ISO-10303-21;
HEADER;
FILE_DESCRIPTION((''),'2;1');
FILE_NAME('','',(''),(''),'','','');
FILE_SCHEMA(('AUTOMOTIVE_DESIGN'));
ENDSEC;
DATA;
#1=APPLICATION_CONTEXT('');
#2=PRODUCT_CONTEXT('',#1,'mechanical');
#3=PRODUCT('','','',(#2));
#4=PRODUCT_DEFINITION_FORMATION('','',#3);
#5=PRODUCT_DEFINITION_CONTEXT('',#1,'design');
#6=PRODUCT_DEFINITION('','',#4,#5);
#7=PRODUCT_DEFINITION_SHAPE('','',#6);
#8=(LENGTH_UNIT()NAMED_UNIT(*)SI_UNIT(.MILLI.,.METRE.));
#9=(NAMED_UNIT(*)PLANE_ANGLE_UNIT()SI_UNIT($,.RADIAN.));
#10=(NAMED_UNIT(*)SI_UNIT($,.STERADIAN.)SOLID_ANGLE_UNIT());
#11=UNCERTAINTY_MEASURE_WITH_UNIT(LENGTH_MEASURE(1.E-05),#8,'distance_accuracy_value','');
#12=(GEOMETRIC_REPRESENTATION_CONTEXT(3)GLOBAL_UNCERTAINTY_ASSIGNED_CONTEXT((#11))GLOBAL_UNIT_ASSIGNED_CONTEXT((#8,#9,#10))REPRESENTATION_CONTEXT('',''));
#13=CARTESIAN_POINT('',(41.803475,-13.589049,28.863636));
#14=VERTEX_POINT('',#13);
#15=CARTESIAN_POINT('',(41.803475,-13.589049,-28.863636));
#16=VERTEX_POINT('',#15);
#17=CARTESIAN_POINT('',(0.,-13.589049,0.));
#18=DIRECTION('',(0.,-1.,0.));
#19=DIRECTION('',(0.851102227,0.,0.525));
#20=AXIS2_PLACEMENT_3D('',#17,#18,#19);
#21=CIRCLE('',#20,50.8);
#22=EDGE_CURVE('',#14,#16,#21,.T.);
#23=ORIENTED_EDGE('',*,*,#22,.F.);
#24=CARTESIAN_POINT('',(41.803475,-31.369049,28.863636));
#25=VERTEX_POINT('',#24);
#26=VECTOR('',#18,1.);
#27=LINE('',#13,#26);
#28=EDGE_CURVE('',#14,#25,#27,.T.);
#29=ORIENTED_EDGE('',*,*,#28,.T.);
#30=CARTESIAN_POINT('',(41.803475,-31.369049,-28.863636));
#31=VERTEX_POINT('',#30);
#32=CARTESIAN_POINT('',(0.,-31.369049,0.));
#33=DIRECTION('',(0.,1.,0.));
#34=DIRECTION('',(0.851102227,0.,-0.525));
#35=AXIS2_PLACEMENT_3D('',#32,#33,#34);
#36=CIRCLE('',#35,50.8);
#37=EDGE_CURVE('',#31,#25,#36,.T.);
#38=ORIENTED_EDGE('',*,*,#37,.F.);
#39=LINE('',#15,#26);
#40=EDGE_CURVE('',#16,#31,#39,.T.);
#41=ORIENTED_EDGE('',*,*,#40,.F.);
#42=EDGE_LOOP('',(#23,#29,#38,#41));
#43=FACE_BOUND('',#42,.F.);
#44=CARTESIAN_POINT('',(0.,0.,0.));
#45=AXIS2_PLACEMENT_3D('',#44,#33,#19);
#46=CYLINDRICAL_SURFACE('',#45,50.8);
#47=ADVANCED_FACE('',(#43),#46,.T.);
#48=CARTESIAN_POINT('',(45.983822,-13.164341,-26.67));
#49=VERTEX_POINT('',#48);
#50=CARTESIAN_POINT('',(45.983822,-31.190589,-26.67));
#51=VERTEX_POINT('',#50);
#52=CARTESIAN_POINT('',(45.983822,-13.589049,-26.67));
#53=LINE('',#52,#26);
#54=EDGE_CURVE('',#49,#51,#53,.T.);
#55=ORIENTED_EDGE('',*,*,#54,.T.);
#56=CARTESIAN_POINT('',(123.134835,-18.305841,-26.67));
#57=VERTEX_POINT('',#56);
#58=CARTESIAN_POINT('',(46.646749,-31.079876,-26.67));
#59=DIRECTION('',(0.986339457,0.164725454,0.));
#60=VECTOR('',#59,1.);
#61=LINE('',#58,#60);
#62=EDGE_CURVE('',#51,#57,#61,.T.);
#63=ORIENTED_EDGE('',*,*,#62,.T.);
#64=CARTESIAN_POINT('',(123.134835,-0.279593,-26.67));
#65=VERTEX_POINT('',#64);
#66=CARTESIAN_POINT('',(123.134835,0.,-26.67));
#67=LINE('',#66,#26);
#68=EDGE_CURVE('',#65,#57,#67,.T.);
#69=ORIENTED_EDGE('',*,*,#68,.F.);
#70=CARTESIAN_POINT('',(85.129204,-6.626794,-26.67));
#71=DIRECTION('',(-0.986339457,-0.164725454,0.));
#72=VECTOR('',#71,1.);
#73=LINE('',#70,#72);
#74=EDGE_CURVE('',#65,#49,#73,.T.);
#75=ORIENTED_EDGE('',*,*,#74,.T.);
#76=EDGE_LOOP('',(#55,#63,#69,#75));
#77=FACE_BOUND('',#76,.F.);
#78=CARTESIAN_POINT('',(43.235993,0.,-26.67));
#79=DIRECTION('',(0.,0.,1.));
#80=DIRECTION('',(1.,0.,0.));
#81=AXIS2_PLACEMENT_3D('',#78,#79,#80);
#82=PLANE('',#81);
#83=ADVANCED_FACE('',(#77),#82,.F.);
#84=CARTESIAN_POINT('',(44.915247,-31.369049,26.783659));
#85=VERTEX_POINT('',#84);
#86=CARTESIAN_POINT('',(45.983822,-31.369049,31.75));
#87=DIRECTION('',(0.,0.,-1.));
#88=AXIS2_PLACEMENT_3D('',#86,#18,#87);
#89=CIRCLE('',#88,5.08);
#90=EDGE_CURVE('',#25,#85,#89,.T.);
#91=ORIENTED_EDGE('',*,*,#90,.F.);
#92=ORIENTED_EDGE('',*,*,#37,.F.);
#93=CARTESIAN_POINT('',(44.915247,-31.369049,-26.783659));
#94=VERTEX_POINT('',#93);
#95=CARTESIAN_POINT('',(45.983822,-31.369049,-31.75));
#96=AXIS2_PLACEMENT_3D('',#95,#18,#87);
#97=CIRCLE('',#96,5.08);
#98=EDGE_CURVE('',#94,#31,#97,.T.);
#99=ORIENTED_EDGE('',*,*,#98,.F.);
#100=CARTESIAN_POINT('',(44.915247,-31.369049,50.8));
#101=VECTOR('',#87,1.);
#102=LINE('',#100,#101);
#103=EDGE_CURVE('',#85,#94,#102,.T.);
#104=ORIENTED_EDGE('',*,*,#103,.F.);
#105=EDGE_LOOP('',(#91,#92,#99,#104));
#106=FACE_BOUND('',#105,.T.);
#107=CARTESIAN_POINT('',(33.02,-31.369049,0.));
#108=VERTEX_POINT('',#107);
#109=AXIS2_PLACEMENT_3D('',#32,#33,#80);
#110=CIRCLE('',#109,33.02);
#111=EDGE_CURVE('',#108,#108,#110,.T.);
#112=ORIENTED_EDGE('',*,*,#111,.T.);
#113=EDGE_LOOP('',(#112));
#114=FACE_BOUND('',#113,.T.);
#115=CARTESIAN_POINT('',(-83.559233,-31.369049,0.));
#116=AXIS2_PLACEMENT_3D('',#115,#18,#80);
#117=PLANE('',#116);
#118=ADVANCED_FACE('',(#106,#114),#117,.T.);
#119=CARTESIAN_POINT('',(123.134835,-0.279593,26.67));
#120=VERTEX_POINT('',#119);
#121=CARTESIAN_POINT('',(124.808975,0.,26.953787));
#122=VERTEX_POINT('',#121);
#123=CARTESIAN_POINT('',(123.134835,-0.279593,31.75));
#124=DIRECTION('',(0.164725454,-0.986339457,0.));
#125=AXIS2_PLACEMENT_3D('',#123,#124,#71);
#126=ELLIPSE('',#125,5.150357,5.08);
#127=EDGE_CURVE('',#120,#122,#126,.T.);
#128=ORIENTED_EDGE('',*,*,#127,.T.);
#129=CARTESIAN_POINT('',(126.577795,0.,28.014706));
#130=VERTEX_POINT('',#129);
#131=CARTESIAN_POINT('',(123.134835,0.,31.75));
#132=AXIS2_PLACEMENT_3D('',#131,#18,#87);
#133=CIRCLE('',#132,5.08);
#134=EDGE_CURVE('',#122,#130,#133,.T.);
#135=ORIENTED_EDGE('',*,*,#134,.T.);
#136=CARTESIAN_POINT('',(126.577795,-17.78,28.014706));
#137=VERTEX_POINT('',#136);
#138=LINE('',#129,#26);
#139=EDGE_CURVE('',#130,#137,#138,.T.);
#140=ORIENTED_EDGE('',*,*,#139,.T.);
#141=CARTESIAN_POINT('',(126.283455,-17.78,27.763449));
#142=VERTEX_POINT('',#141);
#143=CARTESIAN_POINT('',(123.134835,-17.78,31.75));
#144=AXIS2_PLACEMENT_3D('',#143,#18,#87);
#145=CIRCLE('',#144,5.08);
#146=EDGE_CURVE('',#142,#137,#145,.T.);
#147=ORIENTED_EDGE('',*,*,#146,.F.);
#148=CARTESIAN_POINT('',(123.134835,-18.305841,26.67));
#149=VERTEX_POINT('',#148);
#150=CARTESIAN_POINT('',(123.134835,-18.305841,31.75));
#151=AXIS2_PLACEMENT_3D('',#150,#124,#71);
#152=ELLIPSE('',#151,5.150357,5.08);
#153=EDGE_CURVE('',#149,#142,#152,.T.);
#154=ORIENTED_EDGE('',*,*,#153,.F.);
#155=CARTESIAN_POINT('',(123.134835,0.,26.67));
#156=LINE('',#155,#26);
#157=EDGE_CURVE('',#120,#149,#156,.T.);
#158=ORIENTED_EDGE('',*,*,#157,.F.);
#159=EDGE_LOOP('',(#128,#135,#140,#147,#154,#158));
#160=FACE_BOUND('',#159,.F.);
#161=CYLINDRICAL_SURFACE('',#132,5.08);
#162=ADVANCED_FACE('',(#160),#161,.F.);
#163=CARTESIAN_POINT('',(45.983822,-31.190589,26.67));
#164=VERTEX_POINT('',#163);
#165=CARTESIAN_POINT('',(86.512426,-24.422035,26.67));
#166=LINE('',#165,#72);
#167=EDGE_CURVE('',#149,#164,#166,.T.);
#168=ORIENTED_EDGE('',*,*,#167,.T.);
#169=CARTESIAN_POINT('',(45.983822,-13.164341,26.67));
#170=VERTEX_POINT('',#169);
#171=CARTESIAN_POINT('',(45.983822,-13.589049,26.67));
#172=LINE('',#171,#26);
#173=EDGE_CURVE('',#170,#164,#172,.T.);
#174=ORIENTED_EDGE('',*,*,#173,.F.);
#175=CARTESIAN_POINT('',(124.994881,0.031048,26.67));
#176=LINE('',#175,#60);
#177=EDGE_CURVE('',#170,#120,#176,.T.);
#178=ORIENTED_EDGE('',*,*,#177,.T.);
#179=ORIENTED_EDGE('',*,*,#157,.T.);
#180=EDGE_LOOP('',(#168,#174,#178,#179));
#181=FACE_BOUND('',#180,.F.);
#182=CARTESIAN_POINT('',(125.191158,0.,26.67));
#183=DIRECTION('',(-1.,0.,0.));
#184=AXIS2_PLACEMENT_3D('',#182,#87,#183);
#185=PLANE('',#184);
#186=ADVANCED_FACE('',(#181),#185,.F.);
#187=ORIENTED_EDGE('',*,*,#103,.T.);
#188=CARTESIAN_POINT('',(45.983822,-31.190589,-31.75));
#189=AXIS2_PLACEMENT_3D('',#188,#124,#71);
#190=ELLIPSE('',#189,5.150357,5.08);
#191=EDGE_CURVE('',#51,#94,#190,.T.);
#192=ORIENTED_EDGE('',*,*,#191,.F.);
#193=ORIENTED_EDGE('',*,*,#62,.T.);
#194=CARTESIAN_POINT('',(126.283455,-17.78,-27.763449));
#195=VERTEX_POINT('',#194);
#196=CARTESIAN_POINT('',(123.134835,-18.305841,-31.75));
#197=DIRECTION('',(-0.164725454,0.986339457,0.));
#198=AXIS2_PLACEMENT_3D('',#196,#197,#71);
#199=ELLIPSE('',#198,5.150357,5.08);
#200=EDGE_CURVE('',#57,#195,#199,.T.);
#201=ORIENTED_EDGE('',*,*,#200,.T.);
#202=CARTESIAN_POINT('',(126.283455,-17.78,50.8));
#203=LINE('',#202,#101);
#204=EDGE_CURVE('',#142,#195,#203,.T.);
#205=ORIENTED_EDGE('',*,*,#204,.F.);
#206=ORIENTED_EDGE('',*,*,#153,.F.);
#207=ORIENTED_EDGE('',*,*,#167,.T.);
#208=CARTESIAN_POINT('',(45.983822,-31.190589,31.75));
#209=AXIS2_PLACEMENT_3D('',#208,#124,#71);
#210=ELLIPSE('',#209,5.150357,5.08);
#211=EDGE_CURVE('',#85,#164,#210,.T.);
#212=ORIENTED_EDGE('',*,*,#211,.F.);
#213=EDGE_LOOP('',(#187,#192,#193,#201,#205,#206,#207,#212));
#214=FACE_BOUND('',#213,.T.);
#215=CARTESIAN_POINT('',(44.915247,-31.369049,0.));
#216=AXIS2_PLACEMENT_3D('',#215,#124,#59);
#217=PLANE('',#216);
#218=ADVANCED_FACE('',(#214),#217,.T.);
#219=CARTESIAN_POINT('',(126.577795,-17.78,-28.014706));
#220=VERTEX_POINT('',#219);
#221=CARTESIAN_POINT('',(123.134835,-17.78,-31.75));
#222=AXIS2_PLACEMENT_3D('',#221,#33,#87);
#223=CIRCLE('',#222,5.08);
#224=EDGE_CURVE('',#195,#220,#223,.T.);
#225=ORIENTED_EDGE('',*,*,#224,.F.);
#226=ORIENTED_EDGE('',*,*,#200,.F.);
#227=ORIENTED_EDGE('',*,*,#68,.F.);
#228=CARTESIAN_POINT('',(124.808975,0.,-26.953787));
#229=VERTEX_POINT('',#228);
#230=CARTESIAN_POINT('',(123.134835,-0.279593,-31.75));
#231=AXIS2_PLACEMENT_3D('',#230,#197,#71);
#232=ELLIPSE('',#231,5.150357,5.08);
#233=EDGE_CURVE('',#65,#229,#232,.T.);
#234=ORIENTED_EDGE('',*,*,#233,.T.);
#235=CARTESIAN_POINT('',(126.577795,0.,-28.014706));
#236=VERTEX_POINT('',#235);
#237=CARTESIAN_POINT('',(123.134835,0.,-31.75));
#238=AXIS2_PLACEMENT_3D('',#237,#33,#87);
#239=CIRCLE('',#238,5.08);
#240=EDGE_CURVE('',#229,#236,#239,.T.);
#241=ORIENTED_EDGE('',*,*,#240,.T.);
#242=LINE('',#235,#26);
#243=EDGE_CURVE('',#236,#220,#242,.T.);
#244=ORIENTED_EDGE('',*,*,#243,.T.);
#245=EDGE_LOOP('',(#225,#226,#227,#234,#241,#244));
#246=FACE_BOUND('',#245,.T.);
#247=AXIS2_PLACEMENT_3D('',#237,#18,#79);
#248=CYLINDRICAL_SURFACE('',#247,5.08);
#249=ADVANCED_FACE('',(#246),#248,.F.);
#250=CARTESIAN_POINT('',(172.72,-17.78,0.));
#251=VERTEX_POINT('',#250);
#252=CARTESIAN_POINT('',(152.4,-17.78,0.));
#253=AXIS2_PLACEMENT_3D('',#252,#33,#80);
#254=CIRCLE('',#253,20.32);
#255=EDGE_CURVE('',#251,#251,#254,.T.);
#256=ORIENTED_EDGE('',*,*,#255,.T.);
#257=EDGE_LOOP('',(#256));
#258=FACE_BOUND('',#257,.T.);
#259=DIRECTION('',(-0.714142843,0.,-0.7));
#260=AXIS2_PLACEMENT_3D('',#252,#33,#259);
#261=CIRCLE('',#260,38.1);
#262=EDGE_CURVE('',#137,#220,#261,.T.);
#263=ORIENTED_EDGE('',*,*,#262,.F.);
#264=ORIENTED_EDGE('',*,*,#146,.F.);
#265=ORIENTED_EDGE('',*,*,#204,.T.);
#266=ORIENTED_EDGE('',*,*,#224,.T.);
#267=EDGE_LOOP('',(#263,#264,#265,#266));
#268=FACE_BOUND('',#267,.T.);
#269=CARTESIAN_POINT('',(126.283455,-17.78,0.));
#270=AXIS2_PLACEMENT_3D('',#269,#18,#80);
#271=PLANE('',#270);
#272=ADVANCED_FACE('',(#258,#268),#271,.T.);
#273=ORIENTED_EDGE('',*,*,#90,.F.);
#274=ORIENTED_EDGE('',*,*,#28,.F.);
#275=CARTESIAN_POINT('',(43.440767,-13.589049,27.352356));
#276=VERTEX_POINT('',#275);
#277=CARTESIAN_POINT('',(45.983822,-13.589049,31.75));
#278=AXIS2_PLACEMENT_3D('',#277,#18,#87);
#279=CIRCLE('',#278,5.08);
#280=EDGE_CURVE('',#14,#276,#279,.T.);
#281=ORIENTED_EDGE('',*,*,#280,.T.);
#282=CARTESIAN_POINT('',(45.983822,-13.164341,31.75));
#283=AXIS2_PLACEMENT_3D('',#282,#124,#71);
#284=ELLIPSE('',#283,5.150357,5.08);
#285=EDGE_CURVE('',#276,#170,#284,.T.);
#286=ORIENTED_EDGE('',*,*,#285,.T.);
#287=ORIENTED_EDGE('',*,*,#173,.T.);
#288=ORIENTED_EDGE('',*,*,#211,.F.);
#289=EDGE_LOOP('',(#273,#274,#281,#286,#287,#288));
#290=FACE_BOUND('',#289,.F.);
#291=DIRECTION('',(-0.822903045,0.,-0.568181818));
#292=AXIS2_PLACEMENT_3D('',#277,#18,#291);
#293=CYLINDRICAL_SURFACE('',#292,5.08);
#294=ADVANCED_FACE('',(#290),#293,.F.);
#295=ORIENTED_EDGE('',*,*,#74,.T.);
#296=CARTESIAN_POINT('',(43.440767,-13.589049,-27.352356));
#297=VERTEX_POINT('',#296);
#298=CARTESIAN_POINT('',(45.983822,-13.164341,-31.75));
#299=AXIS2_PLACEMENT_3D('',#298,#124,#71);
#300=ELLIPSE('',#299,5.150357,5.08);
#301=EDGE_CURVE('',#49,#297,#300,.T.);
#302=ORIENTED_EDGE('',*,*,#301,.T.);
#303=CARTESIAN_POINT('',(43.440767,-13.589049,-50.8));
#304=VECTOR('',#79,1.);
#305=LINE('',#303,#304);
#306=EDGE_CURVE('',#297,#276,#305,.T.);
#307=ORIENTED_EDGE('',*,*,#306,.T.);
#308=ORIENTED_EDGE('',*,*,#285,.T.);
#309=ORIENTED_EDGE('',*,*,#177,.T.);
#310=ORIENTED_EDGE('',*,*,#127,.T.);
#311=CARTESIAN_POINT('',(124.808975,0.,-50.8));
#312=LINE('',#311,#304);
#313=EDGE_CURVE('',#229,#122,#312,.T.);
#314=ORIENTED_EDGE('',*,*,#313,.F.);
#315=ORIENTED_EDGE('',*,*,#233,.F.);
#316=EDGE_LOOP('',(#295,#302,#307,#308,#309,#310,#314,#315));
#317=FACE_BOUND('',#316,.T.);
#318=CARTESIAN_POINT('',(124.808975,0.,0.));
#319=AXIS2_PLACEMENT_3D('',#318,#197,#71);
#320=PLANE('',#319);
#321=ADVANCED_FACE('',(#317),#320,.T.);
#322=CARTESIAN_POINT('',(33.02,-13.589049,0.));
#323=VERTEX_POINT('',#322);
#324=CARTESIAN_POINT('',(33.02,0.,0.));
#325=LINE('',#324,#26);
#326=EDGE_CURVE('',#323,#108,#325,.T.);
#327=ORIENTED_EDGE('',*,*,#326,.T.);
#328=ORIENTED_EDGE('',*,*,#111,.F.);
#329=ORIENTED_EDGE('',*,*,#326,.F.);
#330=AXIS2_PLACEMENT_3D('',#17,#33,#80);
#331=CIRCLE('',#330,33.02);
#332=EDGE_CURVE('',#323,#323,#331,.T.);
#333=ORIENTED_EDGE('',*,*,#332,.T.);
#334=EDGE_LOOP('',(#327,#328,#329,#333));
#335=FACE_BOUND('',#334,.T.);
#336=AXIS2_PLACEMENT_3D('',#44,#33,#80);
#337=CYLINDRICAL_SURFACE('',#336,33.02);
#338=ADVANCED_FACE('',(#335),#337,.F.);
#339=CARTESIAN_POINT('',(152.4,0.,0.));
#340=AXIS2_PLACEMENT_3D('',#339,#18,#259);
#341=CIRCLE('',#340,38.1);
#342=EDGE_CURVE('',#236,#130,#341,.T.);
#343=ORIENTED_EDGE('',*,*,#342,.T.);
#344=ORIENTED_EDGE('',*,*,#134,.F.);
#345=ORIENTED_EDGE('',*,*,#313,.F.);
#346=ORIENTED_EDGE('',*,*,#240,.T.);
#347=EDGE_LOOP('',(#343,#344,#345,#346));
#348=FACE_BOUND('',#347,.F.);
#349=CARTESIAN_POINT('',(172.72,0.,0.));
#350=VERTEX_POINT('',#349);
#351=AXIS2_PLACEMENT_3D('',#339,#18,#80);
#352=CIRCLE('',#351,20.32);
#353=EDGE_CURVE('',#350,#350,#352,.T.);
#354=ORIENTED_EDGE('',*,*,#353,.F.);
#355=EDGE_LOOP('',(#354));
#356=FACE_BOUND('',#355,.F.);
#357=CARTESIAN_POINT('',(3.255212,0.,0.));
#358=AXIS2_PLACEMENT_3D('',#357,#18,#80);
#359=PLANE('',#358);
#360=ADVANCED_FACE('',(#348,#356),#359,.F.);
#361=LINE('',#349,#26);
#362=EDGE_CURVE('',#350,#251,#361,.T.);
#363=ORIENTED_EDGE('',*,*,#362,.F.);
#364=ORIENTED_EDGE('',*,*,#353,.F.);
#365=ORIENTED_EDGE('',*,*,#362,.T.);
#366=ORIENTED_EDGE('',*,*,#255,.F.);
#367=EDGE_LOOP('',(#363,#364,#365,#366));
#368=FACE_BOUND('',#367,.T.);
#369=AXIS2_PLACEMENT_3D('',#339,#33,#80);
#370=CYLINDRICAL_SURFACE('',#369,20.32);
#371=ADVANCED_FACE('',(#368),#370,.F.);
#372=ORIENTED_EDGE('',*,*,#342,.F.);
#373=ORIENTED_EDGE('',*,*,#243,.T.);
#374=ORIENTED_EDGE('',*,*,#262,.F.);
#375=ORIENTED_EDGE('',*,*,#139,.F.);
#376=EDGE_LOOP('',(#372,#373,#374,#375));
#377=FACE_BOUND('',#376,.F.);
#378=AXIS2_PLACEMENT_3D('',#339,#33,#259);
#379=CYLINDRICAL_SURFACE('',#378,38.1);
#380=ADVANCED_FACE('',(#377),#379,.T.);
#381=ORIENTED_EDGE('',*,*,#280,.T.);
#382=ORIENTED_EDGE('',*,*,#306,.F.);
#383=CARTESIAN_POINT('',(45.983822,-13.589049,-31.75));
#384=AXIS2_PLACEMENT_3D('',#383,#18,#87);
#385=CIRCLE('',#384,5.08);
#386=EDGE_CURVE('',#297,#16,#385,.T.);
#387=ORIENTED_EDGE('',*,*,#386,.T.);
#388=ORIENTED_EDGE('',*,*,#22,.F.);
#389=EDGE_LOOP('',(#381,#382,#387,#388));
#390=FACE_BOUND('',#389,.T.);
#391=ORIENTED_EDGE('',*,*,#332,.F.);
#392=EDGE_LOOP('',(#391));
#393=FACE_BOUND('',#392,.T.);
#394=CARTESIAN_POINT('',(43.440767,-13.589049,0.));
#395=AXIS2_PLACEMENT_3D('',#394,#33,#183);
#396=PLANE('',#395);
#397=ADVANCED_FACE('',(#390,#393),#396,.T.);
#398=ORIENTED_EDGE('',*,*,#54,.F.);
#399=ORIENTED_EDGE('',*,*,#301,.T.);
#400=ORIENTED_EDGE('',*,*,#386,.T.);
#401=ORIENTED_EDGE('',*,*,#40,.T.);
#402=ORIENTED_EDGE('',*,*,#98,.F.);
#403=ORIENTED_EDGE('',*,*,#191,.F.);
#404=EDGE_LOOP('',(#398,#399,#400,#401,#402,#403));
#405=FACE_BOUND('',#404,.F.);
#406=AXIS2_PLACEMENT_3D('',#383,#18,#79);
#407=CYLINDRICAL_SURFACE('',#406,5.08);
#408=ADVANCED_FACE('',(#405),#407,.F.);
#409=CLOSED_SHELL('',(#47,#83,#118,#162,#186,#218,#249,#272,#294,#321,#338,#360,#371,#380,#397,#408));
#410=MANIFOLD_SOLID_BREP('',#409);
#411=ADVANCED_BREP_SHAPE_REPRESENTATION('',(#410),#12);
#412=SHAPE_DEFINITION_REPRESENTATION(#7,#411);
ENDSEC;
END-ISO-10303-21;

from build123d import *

# Parameters (mm, degrees)
F0_R     = 33.02
F0_R_2   = 20.32
F1_DEPTH = 50.8
F3_DEPTH = 50.8
F4_R     = 5.08
F5_R     = 5.08
F6_R     = 5.08
F7_R     = 5.08


with BuildPart() as f1:
    # F0 (on Front) → F1 (new body)
    with BuildSketch(Plane.XZ):
        with BuildLine():
            ThreePointArc((43.2359931076, -26.67), (48.8724280646, -13.8609442343), (50.8, 0))
            ThreePointArc((50.8, 0), (48.8724280646, 13.8609442343), (43.2359931076, 26.67))
            ThreePointArc((43.2359931076, 26.67), (-50.8, 0), (43.2359931076, -26.67))
        make_face()
        Circle(F0_R, mode=Mode.SUBTRACT)
        with BuildLine():
            ThreePointArc((43.2359931076, 26.67), (48.8724280646, 13.8609442343), (50.8, 0))
            ThreePointArc((50.8, 0), (48.8724280646, -13.8609442343), (43.2359931076, -26.67))
            Line((43.2359931076, -26.67), (125.1911576873, -26.67))
            ThreePointArc((125.1911576873, -26.67), (114.3, 0), (125.1911576873, 26.67))
            Line((125.1911576873, 26.67), (43.2359931076, 26.67))
        make_face()
        with BuildLine():
            ThreePointArc((190.5, 0), (166.8040464433, 35.2722758843), (125.1911576873, 26.67))
            ThreePointArc((125.1911576873, 26.67), (114.3, 0), (125.1911576873, -26.67))
            ThreePointArc((125.1911576873, -26.67), (166.8040464433, -35.2722758843), (190.5, 0))
        make_face()
        with Locations((152.4, 0)):
            Circle(F0_R_2, mode=Mode.SUBTRACT)
    extrude(amount=F1_DEPTH)

    # F2 (on Top) → F3 (intersect, symmetric)
    with BuildSketch(Plane.XY):
        Polygon((213.7089745641, -17.78), (213.7089745641, 0), (124.8089745641, 0), (43.4407666326, -13.5890487581), (-83.5592333674, -13.5890487581), (-83.5592333674, -31.3690487581), (44.915247018, -31.3690487581), (126.2834549495, -17.78), align=None)
    extrude(amount=F3_DEPTH, both=True, mode=Mode.INTERSECT)

    # F4
    f4_edges = [f1.edges().sort_by_distance(p)[0] for p in [
        (43.235993, -22.479049, 26.67),
    ]]
    fillet(f4_edges, radius=F4_R)

    # F5
    f5_edges = [f1.edges().sort_by_distance(p)[0] for p in [
        (125.191158, -8.981211, 26.67),
    ]]
    fillet(f5_edges, radius=F5_R)

    # F6
    f6_edges = [f1.edges().sort_by_distance(p)[0] for p in [
        (43.235993, -22.479049, -26.67),
    ]]
    fillet(f6_edges, radius=F6_R)

    # F7
    f7_edges = [f1.edges().sort_by_distance(p)[0] for p in [
        (125.191158, -8.981211, -26.67),
    ]]
    fillet(f7_edges, radius=F7_R)


solid = f1.part
